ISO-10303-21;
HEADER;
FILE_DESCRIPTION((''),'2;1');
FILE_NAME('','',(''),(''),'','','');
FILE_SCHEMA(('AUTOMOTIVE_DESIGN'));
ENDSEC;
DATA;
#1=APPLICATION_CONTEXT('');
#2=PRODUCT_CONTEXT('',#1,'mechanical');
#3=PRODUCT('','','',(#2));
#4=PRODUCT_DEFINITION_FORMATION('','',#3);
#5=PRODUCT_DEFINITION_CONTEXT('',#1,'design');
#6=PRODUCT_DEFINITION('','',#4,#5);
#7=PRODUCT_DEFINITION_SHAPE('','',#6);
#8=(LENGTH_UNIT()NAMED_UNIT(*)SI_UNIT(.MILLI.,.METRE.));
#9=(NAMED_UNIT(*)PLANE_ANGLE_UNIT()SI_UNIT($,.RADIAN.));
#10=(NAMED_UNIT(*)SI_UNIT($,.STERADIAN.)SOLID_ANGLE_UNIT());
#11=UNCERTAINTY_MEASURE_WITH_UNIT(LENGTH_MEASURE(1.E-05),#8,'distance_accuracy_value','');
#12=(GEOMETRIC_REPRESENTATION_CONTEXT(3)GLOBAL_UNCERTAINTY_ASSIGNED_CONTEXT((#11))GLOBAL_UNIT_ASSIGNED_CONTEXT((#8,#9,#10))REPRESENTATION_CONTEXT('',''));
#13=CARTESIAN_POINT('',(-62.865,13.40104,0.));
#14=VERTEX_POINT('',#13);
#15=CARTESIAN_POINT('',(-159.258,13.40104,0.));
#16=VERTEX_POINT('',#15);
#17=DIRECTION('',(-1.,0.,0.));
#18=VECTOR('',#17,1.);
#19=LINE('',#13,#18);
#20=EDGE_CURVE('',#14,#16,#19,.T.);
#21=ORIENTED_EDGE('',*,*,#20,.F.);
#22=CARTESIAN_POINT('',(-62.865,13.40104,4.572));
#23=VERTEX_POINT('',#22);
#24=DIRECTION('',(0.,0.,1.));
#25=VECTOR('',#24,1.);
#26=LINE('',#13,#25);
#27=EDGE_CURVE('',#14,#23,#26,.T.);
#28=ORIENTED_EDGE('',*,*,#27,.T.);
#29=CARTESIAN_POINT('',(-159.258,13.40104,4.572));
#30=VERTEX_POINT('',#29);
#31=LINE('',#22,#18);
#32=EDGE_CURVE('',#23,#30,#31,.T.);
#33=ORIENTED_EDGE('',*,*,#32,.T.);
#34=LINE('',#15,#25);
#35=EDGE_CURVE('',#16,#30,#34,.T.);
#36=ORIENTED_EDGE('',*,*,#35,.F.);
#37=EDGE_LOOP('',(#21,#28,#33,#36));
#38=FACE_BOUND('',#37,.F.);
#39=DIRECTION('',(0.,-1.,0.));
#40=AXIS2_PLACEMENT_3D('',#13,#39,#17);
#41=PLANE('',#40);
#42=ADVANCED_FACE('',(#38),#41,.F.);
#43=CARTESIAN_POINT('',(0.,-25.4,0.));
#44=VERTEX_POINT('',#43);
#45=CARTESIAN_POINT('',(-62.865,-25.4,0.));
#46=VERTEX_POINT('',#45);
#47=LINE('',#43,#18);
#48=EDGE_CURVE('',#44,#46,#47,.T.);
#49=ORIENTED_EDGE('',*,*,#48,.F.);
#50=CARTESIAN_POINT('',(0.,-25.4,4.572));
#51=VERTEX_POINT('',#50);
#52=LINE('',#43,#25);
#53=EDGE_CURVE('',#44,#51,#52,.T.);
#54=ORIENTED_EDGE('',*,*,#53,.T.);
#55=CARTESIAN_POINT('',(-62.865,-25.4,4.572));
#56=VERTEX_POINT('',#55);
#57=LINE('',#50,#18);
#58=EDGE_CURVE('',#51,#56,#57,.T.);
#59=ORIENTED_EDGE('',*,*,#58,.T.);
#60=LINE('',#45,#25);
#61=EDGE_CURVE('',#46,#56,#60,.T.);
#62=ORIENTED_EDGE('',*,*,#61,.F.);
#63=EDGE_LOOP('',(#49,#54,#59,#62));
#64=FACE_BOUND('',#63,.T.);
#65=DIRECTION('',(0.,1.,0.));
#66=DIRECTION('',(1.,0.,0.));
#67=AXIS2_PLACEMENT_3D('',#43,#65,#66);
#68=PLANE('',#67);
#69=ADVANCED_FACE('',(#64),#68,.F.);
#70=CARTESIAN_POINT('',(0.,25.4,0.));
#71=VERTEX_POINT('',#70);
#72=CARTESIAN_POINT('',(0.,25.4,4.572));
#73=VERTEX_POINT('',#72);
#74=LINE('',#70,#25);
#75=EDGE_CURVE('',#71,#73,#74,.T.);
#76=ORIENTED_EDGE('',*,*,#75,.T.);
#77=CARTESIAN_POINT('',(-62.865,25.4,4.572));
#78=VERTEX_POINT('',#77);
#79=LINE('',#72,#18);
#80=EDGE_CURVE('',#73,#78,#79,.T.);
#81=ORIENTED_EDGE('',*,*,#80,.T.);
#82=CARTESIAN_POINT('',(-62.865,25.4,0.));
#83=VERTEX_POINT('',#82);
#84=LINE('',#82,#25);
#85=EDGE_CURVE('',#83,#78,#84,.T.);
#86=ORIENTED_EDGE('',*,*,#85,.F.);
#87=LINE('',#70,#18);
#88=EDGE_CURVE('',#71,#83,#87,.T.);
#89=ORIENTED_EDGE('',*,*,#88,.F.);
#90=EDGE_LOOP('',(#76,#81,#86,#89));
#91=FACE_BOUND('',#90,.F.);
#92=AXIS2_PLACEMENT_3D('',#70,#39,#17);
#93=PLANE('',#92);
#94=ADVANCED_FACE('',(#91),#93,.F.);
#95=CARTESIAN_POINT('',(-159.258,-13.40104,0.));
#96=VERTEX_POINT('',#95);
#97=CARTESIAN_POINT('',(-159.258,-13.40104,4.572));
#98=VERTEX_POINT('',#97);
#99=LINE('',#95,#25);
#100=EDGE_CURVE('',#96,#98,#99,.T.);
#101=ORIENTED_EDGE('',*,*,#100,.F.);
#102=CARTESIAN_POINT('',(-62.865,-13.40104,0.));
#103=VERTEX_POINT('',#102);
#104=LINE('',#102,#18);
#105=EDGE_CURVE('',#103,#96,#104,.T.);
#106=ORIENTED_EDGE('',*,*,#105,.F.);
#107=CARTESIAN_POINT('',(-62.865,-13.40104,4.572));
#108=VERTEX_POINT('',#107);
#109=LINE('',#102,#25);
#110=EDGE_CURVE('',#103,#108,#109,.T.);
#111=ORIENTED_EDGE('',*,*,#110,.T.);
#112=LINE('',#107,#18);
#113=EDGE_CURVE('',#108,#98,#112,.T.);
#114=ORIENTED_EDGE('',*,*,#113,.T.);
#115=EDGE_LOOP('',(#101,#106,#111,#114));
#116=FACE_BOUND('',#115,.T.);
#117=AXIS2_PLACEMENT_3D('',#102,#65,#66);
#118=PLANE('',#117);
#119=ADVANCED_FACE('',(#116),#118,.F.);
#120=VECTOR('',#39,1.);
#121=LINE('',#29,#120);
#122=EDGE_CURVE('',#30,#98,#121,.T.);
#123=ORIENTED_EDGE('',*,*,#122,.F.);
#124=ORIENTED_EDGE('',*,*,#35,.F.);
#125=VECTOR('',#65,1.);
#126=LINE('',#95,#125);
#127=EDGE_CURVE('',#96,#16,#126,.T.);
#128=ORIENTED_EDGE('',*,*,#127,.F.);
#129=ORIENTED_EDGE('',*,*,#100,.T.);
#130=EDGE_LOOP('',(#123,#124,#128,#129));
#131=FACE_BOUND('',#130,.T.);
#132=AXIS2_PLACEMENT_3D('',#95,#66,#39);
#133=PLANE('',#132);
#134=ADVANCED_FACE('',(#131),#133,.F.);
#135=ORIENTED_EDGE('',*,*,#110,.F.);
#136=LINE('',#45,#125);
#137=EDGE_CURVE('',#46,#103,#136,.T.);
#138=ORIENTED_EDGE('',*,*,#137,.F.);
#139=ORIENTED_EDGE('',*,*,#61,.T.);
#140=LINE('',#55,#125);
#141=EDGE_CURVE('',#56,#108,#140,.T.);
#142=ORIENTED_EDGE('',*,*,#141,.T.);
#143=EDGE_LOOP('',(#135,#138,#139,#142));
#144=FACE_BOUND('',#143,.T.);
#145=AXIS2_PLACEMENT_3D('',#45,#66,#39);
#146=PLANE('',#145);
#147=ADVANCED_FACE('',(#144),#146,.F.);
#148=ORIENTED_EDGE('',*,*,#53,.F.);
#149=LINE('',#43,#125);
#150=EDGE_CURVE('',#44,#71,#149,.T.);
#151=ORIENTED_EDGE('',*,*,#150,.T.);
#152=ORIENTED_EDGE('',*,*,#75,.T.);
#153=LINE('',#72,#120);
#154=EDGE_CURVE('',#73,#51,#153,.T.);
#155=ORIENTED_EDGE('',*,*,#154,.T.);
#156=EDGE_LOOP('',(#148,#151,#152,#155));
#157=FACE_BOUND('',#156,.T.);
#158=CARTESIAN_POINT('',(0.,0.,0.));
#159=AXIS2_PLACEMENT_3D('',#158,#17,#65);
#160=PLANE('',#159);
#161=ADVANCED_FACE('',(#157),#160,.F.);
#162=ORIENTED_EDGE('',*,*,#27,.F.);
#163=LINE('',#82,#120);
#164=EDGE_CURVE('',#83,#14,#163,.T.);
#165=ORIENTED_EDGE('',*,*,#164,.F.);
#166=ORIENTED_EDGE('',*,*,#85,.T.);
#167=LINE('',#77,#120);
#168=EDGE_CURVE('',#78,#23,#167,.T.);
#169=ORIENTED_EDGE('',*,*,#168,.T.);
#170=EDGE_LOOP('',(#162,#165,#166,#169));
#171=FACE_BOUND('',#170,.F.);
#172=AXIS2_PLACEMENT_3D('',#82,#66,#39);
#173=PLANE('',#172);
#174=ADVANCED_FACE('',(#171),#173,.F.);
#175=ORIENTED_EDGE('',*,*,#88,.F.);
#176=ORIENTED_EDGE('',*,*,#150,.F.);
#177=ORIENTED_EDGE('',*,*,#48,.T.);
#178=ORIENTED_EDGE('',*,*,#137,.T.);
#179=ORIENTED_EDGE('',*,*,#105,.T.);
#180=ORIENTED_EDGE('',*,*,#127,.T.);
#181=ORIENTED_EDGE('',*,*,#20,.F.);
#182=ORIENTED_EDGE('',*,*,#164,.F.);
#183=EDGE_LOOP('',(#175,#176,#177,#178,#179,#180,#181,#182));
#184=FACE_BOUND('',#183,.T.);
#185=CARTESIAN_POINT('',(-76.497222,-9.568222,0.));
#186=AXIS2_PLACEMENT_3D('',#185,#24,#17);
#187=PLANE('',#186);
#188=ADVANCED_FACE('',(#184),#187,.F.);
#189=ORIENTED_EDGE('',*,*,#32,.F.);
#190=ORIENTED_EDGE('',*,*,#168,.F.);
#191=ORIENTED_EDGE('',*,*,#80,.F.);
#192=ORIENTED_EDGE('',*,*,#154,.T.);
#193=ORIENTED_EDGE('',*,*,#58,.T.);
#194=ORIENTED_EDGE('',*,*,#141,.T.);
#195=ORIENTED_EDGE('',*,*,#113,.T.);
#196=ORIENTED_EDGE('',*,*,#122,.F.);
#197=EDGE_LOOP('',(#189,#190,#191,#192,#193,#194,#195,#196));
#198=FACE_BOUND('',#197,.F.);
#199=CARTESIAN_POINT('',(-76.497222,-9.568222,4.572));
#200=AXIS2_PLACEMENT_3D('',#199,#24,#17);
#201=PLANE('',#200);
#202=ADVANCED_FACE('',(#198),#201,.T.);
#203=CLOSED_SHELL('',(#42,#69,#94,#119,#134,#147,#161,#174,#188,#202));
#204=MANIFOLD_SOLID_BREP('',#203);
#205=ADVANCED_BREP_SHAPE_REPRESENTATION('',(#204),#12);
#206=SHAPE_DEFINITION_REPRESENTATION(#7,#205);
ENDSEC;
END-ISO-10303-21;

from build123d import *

# Parameters (mm, degrees)
F1_DEPTH = 4.572


with BuildPart() as f1:
    # F0 (on Top) → F1 (new body)
    with BuildSketch(Plane.XY):
        Polygon((-159.258, 0), (0, 0), (0, 25.4), (-62.865, 25.4), (-62.865, 13.40104), (-159.258, 13.40104), align=None)
    extrude(amount=F1_DEPTH)

    # F2: F1 across face


with BuildPart() as f1_1:
    add(f1.part)
    add(f1.part.mirror(Plane(origin=(-79.629, 0, 2.286), x_dir=(1, 0, 0), z_dir=(0, -1, 0))))


solid = f1_1.part
